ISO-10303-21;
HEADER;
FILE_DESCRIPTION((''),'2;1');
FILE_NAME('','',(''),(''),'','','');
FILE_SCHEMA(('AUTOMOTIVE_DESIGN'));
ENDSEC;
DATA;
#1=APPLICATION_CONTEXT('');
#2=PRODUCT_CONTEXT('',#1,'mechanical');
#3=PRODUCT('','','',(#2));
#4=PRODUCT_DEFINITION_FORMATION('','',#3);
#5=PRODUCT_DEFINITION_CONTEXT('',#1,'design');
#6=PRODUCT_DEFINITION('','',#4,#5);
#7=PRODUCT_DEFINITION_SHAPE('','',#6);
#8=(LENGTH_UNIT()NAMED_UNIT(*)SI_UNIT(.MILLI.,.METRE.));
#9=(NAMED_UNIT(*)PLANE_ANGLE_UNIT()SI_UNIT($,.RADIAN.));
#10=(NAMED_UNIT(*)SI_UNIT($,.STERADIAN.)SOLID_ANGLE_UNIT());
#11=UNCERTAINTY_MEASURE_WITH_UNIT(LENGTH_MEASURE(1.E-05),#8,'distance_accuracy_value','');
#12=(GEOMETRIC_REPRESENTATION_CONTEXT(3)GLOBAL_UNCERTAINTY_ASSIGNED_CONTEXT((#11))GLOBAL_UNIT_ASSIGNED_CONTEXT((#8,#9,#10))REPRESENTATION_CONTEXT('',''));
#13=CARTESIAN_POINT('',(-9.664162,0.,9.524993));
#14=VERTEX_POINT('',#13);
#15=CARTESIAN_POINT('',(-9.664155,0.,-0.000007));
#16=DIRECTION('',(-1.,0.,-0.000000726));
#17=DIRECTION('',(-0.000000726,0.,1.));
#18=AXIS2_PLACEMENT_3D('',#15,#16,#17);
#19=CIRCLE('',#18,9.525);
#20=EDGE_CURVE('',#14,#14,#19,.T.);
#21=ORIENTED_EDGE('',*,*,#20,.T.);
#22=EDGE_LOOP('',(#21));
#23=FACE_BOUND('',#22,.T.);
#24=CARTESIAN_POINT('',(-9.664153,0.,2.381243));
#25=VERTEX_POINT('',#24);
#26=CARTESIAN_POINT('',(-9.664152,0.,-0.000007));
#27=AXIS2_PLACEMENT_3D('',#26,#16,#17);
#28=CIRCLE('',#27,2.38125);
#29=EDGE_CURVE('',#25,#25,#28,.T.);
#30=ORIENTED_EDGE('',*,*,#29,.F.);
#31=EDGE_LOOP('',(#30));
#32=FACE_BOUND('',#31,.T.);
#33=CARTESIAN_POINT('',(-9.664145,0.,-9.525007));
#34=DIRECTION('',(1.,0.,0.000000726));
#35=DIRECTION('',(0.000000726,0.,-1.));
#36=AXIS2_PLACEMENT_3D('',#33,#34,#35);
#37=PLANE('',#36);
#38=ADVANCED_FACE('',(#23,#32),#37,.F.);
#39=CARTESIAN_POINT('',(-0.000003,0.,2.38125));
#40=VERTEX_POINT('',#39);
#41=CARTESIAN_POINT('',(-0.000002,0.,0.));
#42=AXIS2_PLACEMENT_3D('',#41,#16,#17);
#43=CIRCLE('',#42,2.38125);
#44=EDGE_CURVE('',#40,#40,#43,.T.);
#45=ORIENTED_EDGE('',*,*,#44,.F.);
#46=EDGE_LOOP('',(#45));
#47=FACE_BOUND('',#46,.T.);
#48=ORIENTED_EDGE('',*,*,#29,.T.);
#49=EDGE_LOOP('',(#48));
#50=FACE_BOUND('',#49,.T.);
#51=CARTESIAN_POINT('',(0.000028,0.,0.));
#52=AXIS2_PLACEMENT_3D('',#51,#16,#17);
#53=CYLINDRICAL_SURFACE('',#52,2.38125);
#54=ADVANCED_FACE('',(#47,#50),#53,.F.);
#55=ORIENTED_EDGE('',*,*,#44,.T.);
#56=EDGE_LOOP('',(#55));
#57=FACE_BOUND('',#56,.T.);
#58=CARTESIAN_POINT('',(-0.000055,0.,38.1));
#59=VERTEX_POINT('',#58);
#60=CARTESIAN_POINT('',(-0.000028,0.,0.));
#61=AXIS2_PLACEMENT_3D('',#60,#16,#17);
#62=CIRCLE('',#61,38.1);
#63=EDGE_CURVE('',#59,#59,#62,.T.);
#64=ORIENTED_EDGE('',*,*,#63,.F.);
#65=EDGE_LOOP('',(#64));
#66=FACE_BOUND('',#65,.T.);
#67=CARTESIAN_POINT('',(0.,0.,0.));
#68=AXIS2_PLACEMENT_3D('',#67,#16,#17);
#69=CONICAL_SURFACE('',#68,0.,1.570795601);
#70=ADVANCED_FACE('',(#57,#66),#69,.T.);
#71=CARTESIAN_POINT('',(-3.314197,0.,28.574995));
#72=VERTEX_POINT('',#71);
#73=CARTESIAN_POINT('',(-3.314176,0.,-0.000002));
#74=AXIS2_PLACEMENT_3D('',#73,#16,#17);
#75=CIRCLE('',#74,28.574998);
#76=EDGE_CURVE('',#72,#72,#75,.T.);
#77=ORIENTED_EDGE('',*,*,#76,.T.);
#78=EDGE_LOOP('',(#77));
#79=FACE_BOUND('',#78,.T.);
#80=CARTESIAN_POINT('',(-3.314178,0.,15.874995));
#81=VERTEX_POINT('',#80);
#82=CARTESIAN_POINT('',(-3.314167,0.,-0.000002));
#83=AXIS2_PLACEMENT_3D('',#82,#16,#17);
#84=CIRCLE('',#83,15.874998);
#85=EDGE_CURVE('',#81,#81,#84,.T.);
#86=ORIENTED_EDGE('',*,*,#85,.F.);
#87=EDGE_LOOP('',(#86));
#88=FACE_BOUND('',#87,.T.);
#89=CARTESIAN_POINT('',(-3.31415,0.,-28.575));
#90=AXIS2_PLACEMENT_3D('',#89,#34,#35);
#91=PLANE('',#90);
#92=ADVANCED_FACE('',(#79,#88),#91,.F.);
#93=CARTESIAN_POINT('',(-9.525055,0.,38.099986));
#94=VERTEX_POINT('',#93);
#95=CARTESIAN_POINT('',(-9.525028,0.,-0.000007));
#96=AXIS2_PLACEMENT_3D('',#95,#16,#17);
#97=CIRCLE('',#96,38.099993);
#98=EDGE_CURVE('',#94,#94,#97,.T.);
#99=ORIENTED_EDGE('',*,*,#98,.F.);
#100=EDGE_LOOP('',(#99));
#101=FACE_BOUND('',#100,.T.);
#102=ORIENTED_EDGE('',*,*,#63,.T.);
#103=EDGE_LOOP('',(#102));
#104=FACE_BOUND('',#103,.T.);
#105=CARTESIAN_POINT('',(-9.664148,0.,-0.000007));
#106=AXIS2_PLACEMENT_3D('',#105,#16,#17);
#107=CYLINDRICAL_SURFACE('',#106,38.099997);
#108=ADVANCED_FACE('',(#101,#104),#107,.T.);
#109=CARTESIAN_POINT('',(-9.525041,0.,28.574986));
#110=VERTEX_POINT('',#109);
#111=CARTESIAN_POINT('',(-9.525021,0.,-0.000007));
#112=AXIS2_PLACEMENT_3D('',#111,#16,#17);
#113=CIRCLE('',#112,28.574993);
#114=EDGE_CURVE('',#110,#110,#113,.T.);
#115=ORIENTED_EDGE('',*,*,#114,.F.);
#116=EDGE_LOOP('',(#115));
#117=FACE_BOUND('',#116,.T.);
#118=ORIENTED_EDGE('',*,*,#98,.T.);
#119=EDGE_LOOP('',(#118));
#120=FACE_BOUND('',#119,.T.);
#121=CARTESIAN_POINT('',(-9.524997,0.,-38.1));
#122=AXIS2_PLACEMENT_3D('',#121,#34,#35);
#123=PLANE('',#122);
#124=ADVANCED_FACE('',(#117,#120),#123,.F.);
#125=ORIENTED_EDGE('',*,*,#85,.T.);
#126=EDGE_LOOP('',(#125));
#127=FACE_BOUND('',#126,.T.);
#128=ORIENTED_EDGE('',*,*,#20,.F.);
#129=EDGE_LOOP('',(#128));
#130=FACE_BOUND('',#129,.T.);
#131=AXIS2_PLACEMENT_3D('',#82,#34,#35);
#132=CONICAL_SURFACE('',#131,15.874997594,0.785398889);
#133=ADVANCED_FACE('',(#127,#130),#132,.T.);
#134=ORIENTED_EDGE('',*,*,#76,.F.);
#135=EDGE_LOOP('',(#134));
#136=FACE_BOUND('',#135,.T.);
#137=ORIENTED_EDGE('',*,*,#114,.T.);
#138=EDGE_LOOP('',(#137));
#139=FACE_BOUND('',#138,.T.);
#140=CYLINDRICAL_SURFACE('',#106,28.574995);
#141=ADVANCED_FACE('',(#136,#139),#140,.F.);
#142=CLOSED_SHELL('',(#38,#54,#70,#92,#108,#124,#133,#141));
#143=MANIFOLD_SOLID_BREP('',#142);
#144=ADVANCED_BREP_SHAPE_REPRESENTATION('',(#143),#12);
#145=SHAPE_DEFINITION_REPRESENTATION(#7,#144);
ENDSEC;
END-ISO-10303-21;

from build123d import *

# Parameters (mm, degrees)
SKETCH5_R          = 2.38125
CUT_EXTRUDE2_DEPTH = 55.74135876


with BuildPart() as part:
    # Sketch3 → Revolve1 (revolve)
    with BuildSketch(Plane(origin=(0, 0, 0), x_dir=(1, 0, 0), z_dir=(0, 1, 0))):
        Polygon((0, 0), (0, 38.1), (-9.525, 38.1), (-9.525, 28.575), (-3.314155064, 28.575), (-3.314155064, 15.875), (-9.664148049, 9.525007015), (-9.664148049, 7.015e-06), align=None)
    revolve(axis=Axis((-9.664148049, 0, -7.015e-06), (0.9999999999997365, 0, 7.259051948720745e-07)))

    # Sketch5 → Cut-Extrude2 (cut, through all)
    with BuildSketch(Plane(origin=(-9.664151506, 0, -7.015e-06), x_dir=(-7.25905194872075e-07, 0, 0.9999999999997367), z_dir=(-0.9999999999997367, 0, -7.25905194872075e-07))):
        Circle(SKETCH5_R)
    extrude(amount=-CUT_EXTRUDE2_DEPTH, mode=Mode.SUBTRACT)


solid = part.part
